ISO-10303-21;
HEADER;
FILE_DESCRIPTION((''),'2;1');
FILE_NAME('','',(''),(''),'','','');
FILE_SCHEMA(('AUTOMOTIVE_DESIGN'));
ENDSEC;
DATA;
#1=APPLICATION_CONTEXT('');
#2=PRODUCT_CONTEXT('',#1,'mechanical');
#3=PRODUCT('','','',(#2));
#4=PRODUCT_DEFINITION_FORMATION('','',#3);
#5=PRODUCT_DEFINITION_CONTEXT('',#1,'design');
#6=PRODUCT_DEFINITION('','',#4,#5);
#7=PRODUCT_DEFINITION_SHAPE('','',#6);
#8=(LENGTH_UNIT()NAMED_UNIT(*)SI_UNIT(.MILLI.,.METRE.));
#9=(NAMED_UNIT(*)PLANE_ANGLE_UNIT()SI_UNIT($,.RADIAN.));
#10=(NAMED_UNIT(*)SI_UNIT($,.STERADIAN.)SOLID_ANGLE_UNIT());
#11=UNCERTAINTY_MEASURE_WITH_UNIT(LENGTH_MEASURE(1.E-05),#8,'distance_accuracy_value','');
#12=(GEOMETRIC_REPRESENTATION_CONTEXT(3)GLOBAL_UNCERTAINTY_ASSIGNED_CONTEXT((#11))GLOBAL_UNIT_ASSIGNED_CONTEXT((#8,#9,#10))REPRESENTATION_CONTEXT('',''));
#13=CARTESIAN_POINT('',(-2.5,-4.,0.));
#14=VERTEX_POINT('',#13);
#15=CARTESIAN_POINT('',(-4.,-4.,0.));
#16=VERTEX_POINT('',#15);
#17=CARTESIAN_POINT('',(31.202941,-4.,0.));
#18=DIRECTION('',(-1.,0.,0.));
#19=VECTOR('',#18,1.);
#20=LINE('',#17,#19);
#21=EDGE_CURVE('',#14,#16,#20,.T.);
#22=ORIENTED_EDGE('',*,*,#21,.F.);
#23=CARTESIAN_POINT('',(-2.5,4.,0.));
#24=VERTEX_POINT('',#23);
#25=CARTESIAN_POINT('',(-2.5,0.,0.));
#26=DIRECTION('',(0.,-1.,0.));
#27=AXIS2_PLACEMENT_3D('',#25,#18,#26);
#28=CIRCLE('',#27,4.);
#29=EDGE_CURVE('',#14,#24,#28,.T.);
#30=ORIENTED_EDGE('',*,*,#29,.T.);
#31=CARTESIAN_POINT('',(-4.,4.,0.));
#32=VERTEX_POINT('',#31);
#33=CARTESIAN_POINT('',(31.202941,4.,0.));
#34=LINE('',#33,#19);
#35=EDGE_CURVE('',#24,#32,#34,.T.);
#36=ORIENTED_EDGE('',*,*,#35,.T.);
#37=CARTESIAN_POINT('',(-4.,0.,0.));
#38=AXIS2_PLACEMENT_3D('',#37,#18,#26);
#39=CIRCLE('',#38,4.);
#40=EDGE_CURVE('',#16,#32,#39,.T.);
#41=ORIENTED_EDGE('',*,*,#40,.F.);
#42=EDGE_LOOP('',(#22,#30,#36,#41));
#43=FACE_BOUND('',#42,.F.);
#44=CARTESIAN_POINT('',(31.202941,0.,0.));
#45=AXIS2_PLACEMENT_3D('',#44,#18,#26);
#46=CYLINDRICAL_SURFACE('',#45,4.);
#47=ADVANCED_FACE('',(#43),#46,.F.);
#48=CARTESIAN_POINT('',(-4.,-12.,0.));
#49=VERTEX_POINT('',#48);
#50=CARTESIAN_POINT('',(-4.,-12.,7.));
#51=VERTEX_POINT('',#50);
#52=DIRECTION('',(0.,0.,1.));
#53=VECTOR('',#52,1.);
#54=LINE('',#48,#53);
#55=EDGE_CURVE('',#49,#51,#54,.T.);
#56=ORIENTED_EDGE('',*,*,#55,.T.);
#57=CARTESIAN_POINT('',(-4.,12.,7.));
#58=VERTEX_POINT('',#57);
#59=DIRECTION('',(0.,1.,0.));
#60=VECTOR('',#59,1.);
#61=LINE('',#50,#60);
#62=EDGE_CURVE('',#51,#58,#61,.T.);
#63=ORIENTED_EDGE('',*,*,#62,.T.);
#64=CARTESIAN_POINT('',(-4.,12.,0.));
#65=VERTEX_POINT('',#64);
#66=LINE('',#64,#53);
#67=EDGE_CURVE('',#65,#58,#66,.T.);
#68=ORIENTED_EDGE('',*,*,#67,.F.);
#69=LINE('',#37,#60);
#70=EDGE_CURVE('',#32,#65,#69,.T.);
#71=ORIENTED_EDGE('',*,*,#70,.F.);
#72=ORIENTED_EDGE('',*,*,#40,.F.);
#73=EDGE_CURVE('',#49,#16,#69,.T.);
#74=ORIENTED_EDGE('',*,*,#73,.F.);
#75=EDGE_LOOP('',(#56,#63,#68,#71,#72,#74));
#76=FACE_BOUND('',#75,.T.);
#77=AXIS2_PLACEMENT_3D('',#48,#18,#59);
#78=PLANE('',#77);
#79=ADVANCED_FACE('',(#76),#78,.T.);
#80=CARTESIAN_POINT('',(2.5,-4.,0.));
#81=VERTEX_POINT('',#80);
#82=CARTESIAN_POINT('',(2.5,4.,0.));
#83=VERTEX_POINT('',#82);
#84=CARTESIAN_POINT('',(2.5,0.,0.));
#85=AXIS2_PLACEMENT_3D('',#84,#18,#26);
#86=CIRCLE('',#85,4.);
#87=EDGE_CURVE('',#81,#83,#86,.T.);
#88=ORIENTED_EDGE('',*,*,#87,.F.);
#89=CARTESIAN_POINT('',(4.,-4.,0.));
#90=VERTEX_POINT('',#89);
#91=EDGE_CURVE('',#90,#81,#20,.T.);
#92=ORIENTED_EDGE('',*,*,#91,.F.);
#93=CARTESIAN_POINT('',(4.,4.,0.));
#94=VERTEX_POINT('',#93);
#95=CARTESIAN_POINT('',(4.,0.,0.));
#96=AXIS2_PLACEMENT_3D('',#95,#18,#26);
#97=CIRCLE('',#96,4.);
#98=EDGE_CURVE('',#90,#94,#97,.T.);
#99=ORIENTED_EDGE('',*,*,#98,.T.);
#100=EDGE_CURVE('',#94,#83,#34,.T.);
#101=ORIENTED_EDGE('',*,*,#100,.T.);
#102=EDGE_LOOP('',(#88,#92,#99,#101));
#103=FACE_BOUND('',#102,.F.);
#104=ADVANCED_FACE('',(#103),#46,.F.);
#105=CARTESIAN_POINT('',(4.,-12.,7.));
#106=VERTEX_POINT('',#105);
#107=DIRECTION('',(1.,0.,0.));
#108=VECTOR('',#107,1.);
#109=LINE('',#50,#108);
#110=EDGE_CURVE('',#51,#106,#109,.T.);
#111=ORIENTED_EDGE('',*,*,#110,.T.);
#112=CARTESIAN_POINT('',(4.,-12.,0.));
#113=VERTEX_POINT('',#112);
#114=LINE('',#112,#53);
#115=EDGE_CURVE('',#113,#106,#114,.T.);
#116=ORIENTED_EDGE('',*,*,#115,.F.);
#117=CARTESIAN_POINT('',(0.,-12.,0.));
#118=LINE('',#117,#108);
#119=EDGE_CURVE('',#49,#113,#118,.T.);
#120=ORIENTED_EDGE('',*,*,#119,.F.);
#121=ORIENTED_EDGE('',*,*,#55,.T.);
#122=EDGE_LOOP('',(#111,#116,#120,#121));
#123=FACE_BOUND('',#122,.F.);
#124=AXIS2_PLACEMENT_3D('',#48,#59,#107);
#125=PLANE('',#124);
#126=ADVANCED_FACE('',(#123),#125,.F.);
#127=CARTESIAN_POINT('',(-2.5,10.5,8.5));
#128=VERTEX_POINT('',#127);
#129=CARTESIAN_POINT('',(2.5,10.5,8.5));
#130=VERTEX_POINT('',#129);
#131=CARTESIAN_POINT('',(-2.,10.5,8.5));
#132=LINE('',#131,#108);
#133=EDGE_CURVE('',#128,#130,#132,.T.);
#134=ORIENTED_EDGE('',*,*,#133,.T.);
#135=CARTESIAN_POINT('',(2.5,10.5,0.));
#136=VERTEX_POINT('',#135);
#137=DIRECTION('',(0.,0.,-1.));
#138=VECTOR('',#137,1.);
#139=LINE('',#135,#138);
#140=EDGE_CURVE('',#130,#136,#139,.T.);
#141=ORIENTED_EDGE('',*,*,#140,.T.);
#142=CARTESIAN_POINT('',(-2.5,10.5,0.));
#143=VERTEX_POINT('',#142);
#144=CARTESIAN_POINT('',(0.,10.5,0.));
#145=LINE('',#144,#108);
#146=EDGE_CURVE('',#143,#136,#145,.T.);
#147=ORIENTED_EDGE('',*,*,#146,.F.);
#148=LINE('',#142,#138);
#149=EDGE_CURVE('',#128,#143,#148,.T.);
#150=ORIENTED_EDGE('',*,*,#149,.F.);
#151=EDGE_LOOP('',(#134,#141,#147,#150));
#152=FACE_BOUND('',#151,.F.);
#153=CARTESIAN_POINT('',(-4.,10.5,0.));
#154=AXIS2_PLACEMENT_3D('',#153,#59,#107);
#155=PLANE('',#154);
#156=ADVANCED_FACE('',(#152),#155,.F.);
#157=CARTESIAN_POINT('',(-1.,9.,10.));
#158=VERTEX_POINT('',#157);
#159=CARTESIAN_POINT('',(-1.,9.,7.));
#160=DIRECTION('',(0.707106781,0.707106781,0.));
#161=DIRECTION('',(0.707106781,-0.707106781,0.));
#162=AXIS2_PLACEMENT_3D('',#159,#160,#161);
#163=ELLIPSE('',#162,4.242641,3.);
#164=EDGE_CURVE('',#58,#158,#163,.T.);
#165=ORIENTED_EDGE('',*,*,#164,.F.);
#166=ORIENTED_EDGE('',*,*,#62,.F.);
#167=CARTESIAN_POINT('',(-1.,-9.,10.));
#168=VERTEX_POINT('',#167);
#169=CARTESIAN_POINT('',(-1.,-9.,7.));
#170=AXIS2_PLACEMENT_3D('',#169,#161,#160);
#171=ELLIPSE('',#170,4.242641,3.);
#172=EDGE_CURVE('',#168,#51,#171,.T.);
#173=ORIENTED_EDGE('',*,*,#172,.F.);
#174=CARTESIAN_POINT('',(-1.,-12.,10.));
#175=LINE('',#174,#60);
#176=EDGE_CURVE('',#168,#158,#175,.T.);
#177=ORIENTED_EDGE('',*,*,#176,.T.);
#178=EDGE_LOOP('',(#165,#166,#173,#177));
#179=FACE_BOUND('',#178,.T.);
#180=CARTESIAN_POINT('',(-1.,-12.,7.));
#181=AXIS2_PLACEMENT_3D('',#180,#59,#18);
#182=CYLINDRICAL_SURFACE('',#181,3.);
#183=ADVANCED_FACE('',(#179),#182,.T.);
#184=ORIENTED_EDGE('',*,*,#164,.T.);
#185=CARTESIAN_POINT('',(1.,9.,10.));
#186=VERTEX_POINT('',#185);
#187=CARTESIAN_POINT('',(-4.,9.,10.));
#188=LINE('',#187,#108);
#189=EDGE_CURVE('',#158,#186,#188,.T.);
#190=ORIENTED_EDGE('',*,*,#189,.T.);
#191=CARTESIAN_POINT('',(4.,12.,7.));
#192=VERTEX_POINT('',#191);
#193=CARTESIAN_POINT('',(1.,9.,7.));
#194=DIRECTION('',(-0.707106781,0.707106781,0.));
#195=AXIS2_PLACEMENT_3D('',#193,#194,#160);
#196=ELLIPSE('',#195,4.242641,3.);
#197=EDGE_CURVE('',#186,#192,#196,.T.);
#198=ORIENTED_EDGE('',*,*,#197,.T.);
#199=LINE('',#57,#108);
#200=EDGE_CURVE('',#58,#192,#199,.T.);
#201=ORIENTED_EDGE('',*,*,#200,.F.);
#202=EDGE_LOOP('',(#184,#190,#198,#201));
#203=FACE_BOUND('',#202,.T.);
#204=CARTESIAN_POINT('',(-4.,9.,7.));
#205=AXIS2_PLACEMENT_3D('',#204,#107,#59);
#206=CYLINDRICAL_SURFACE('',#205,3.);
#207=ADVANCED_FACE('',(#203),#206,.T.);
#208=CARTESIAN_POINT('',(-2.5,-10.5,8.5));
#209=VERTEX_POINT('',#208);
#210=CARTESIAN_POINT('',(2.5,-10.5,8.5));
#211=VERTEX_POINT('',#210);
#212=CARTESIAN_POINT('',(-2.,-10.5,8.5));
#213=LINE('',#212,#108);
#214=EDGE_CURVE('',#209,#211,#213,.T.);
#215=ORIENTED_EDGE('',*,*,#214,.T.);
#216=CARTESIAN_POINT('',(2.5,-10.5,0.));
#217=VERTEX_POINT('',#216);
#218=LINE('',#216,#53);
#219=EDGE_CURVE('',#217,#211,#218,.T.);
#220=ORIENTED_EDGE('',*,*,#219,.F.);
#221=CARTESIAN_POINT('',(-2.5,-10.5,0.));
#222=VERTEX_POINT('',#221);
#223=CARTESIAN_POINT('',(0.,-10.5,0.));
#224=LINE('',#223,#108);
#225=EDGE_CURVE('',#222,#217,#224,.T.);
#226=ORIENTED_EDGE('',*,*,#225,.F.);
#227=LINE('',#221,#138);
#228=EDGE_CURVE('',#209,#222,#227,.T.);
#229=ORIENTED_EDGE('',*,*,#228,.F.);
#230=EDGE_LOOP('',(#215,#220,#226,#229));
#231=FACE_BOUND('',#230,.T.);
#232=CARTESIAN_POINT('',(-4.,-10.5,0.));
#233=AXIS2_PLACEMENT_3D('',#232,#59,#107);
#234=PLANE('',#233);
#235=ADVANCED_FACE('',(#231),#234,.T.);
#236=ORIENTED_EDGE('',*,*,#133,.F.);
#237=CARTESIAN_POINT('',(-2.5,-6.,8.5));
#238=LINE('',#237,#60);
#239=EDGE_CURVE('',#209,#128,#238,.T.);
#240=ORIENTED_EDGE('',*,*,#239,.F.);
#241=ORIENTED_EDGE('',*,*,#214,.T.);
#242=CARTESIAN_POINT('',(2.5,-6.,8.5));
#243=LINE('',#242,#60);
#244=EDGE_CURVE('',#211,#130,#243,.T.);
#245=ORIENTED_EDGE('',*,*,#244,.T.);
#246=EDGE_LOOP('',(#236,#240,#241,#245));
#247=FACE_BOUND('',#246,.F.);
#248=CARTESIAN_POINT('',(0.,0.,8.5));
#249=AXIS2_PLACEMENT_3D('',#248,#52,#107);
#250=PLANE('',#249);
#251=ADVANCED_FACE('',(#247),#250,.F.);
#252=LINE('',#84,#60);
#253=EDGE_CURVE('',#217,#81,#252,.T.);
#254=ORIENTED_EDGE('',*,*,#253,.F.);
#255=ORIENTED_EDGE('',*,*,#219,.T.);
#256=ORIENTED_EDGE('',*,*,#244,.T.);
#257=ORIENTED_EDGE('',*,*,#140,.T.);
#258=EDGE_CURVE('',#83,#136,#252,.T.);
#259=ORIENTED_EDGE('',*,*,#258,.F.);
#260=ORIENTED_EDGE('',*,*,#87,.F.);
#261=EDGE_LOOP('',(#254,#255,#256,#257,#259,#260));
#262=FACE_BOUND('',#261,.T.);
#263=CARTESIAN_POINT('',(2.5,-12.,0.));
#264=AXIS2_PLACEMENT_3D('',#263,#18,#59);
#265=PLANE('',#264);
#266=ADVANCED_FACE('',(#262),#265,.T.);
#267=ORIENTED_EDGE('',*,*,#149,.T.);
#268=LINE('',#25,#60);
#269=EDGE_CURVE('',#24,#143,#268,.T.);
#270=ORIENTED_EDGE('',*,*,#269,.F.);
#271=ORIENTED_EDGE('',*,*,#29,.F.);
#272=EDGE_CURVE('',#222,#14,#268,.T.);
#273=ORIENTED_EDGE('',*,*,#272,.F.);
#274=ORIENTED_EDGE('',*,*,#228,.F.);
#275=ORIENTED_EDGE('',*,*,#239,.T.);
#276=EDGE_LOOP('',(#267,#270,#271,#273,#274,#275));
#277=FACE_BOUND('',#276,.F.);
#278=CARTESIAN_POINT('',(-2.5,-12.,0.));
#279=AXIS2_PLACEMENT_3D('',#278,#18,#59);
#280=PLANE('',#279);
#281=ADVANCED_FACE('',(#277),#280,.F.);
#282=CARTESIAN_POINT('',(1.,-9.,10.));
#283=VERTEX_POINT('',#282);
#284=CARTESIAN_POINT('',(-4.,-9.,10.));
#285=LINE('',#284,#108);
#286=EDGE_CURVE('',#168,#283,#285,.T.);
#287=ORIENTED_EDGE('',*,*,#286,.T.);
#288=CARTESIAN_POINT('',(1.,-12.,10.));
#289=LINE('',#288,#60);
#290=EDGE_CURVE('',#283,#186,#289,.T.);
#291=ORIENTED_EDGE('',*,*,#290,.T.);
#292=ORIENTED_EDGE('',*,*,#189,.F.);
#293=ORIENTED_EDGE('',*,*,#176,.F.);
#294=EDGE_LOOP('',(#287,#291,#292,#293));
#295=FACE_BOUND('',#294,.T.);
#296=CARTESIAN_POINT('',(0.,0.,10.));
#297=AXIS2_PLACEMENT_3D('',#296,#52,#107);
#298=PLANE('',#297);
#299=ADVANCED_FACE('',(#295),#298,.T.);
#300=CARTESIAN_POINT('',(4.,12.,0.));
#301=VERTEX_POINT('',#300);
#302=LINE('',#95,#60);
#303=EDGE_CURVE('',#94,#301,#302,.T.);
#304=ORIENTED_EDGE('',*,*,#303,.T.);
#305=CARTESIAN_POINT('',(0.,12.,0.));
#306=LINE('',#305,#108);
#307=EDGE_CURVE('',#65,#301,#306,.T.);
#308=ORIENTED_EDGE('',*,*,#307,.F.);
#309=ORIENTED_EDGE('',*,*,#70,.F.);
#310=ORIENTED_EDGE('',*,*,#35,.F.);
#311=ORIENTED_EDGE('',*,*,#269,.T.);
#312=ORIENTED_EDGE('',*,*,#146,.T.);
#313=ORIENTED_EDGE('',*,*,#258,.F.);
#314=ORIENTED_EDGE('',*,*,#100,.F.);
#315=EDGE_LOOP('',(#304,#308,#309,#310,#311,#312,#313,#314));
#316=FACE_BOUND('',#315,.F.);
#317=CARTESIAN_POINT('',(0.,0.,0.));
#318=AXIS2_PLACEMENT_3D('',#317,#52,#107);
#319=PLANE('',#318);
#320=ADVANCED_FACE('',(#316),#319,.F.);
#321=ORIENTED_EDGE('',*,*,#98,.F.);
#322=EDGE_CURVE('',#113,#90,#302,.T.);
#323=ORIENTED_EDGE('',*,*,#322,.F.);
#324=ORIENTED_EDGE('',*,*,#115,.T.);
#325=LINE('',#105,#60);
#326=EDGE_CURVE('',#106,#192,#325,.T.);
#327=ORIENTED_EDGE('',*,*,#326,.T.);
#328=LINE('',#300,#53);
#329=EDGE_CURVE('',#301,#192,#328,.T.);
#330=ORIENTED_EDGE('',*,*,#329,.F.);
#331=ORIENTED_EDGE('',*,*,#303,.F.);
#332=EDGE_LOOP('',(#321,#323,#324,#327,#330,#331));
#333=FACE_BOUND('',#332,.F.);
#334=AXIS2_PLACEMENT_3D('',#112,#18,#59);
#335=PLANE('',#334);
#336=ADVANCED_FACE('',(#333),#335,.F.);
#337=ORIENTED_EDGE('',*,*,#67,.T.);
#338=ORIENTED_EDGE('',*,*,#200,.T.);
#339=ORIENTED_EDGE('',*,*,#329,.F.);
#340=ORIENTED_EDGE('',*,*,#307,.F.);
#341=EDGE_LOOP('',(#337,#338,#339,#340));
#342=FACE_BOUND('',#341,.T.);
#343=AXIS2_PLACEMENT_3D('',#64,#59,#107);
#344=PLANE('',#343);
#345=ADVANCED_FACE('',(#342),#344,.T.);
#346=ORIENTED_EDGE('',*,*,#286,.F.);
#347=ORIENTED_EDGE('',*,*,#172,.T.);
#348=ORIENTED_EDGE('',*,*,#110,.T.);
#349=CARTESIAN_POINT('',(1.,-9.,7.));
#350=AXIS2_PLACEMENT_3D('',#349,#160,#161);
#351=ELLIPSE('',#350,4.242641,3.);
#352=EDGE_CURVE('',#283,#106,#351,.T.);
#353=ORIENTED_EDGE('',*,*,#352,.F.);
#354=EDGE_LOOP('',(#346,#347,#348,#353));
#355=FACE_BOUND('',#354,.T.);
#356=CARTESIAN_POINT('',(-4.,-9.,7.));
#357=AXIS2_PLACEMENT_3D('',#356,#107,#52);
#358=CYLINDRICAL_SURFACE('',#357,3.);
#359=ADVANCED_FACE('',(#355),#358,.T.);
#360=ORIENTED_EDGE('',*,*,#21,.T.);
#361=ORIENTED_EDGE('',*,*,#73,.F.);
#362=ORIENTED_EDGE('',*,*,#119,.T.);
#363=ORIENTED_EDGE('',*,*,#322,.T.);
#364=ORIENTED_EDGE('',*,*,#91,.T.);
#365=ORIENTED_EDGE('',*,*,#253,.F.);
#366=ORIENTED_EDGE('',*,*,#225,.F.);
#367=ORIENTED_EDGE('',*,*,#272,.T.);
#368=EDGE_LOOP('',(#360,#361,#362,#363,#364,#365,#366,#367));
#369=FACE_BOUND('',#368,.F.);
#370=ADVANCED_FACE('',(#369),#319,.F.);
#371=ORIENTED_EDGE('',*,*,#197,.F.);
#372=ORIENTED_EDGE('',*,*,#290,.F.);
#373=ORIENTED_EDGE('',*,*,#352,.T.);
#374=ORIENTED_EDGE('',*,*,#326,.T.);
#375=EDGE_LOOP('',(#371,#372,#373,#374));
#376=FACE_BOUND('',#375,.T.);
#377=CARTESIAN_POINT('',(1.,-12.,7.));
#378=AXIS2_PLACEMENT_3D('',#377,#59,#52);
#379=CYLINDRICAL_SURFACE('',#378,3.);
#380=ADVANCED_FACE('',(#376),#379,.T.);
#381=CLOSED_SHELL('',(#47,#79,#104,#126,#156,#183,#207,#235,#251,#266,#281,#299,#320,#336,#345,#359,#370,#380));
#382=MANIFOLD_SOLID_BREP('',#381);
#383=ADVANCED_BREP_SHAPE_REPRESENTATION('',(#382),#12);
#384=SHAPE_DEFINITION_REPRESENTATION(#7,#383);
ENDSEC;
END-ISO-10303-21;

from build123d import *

# Parameters (mm, degrees)
F0_W     = 8
F0_H     = 24
F1_DEPTH = 10
F2_T     = -1.5
F4_D     = 8
F5_R     = 3


with BuildPart() as f1:
    # F0 (on Top) → F1 (new body)
    with BuildSketch(Plane.XY):
        Rectangle(F0_W, F0_H)
    extrude(amount=F1_DEPTH)

    # F2
    f2_openings = [f1.faces().sort_by_distance(p)[0] for p in [
        (0, 0, 0),
    ]]
    offset(amount=F2_T, openings=f2_openings)

    # F4 (through all)
    with Locations(Plane.YZ.offset(4)):
        with Locations((0, 0)):
            Hole(F4_D / 2)

    # F5
    f5_edges = [f1.edges().sort_by_distance(p)[0] for p in [
        (0, -12, 10),
        (4, 0, 10),
        (0, 12, 10),
        (-4, 0, 10),
    ]]
    fillet(f5_edges, radius=F5_R)


solid = f1.part
